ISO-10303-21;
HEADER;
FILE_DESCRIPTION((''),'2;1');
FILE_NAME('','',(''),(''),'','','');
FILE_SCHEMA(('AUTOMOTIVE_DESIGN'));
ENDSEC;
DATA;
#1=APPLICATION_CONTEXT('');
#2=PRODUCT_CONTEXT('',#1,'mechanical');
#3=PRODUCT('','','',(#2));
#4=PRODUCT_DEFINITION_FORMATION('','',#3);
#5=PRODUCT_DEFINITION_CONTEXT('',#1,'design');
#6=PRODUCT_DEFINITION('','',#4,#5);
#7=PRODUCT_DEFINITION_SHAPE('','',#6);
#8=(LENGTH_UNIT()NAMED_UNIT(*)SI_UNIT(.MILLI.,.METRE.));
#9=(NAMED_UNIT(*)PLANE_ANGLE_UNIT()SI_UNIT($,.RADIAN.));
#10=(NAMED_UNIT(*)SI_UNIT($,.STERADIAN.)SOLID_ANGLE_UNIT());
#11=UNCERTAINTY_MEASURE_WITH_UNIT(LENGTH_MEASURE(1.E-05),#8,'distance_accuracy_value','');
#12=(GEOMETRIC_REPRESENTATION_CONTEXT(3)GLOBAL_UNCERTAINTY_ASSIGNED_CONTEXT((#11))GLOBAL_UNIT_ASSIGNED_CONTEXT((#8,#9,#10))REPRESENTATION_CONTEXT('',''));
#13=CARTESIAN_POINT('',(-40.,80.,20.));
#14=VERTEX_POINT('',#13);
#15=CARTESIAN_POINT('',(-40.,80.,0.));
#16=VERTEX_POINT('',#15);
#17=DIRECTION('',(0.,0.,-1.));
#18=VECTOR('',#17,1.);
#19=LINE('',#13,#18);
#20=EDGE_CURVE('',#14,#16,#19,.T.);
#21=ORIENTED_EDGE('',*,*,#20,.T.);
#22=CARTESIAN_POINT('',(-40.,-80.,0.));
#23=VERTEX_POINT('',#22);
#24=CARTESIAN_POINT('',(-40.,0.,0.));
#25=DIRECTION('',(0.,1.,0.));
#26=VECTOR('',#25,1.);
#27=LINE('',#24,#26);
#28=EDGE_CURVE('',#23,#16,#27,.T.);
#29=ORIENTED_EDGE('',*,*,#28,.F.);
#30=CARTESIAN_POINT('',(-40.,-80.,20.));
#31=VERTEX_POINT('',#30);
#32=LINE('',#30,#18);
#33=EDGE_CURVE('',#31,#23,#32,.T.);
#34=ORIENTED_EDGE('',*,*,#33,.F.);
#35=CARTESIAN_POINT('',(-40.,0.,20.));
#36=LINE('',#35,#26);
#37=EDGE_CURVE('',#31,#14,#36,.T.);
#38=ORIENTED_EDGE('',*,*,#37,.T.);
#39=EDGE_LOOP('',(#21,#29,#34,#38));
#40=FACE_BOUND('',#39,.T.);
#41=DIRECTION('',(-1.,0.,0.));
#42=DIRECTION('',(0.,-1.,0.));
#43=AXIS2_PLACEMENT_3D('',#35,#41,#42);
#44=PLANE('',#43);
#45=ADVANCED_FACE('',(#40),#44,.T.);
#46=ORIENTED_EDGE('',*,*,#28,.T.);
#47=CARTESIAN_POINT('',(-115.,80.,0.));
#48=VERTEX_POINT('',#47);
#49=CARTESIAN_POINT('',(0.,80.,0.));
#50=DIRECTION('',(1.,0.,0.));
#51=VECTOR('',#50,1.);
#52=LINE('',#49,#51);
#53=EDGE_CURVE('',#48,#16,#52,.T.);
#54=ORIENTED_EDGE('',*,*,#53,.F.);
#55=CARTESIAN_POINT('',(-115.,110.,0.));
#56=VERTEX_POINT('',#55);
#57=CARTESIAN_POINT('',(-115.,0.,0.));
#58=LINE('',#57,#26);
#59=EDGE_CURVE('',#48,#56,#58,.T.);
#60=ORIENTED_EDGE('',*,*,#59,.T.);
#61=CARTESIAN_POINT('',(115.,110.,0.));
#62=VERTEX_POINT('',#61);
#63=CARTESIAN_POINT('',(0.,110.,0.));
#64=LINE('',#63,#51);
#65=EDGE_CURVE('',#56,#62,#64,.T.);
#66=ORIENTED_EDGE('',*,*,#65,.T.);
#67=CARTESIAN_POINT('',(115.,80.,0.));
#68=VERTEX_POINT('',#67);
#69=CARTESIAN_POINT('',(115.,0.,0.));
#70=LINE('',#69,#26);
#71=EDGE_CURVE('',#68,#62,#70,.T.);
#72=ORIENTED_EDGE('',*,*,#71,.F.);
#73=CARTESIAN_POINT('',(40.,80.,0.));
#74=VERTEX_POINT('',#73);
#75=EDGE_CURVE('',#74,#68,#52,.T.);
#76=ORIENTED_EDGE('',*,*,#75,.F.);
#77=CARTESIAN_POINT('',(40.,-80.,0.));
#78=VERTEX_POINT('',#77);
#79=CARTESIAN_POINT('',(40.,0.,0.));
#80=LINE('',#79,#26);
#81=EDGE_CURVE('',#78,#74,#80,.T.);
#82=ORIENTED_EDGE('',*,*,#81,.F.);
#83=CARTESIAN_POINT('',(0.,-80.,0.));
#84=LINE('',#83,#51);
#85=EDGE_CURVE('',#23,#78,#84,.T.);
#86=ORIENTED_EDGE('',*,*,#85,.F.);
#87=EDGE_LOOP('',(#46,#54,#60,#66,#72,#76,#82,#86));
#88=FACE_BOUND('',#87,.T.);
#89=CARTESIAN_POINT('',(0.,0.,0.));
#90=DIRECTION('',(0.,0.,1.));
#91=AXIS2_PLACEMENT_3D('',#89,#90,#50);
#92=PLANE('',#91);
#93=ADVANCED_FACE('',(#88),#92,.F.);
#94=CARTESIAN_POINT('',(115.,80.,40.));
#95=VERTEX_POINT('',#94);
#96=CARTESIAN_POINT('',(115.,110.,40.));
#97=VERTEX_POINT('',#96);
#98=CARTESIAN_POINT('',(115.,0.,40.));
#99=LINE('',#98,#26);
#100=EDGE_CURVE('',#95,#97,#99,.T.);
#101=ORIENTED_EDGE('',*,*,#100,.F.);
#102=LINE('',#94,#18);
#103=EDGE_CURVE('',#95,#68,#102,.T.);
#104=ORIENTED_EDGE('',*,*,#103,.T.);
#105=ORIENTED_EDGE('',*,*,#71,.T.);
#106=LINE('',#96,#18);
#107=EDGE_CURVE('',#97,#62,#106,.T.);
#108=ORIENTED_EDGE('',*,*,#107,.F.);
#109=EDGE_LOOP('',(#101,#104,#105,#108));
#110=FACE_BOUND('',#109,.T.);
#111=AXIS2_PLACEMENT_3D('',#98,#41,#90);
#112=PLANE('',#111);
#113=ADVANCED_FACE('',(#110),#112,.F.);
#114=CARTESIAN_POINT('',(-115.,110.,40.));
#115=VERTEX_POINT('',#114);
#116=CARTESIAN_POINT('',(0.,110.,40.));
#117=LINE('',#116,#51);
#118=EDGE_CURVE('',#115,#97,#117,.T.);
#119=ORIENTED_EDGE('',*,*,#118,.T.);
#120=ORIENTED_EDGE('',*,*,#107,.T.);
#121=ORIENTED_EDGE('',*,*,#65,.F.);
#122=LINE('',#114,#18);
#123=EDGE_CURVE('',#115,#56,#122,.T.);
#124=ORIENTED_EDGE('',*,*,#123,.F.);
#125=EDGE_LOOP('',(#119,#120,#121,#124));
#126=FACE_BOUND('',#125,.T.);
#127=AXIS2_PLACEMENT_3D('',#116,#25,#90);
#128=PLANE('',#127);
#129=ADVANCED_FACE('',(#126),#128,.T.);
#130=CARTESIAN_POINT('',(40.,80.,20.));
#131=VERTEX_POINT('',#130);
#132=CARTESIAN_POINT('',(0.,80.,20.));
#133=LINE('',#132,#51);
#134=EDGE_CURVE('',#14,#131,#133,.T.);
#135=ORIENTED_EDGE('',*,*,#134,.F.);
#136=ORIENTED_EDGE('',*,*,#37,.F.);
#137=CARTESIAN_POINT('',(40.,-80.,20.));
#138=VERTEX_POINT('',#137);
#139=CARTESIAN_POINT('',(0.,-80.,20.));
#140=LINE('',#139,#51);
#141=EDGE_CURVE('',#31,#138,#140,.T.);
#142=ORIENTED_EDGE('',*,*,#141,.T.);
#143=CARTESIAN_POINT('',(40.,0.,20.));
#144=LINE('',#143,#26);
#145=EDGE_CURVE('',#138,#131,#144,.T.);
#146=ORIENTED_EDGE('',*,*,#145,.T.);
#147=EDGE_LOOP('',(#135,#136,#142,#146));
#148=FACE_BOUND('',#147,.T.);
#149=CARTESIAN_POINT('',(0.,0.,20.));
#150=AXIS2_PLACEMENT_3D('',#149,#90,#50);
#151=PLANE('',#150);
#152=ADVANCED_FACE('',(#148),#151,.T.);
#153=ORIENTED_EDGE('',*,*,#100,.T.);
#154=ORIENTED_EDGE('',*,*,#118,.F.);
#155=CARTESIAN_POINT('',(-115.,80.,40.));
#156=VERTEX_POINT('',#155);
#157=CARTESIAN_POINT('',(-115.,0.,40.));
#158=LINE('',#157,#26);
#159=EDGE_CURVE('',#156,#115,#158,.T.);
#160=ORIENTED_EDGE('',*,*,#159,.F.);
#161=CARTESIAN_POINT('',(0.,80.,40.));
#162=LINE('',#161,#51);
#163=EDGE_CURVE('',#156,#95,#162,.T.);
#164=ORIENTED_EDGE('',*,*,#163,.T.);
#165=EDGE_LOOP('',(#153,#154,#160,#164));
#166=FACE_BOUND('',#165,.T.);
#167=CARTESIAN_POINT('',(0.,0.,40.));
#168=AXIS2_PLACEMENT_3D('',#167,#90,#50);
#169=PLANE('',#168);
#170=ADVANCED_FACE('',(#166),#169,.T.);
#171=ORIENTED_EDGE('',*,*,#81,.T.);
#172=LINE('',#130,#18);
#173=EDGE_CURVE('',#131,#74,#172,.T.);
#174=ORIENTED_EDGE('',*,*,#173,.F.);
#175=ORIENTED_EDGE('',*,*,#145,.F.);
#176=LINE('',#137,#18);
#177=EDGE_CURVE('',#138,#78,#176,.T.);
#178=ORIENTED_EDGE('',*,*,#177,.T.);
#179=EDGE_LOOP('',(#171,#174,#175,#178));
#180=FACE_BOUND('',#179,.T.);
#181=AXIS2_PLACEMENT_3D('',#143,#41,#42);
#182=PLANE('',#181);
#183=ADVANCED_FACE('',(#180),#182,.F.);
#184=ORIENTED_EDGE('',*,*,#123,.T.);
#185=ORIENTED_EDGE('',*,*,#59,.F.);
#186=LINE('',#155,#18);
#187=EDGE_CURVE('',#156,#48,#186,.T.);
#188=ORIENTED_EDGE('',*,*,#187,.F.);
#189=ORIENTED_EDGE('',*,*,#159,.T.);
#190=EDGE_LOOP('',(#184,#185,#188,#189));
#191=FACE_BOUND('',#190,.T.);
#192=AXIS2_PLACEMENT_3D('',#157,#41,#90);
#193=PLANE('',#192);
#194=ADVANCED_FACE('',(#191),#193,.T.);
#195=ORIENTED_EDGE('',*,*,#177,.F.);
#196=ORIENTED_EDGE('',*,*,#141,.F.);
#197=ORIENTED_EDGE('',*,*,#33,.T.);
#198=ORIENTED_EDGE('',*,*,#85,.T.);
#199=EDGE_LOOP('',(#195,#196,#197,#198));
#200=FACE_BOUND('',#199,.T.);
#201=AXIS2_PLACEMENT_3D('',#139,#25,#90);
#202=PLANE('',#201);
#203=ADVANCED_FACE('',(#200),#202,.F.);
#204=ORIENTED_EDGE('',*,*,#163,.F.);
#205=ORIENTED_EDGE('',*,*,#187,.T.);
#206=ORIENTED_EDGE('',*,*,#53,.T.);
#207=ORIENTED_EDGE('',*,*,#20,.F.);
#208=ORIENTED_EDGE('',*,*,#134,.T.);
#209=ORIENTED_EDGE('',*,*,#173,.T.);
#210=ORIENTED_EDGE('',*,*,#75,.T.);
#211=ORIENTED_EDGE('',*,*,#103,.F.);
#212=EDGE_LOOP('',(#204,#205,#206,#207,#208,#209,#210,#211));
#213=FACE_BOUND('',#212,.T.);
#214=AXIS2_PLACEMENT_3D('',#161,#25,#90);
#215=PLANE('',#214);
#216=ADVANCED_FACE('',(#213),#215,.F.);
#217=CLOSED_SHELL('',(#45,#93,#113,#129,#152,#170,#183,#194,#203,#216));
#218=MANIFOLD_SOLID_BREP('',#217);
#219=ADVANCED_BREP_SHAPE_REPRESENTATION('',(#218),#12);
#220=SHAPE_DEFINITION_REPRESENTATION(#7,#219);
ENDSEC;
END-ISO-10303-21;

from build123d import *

# Parameters (mm, degrees)
SKETCH1_W           = 80
SKETCH1_H           = 160
BOSS_EXTRUDE1_DEPTH = 20
BOSS_EXTRUDE2_DEPTH = 40


with BuildPart() as part:
    # Sketch1 → Boss-Extrude1 (new body)
    with BuildSketch(Plane.XY):
        Rectangle(SKETCH1_W, SKETCH1_H)
    extrude(amount=BOSS_EXTRUDE1_DEPTH)

    # Sketch1<3> → Boss-Extrude2 (add)
    with BuildSketch(Plane.XY):
        Polygon((-115, 80), (-40, 80), (40, 80), (115, 80), (115, 110), (-115, 110), align=None)
    extrude(amount=BOSS_EXTRUDE2_DEPTH)


solid = part.part
